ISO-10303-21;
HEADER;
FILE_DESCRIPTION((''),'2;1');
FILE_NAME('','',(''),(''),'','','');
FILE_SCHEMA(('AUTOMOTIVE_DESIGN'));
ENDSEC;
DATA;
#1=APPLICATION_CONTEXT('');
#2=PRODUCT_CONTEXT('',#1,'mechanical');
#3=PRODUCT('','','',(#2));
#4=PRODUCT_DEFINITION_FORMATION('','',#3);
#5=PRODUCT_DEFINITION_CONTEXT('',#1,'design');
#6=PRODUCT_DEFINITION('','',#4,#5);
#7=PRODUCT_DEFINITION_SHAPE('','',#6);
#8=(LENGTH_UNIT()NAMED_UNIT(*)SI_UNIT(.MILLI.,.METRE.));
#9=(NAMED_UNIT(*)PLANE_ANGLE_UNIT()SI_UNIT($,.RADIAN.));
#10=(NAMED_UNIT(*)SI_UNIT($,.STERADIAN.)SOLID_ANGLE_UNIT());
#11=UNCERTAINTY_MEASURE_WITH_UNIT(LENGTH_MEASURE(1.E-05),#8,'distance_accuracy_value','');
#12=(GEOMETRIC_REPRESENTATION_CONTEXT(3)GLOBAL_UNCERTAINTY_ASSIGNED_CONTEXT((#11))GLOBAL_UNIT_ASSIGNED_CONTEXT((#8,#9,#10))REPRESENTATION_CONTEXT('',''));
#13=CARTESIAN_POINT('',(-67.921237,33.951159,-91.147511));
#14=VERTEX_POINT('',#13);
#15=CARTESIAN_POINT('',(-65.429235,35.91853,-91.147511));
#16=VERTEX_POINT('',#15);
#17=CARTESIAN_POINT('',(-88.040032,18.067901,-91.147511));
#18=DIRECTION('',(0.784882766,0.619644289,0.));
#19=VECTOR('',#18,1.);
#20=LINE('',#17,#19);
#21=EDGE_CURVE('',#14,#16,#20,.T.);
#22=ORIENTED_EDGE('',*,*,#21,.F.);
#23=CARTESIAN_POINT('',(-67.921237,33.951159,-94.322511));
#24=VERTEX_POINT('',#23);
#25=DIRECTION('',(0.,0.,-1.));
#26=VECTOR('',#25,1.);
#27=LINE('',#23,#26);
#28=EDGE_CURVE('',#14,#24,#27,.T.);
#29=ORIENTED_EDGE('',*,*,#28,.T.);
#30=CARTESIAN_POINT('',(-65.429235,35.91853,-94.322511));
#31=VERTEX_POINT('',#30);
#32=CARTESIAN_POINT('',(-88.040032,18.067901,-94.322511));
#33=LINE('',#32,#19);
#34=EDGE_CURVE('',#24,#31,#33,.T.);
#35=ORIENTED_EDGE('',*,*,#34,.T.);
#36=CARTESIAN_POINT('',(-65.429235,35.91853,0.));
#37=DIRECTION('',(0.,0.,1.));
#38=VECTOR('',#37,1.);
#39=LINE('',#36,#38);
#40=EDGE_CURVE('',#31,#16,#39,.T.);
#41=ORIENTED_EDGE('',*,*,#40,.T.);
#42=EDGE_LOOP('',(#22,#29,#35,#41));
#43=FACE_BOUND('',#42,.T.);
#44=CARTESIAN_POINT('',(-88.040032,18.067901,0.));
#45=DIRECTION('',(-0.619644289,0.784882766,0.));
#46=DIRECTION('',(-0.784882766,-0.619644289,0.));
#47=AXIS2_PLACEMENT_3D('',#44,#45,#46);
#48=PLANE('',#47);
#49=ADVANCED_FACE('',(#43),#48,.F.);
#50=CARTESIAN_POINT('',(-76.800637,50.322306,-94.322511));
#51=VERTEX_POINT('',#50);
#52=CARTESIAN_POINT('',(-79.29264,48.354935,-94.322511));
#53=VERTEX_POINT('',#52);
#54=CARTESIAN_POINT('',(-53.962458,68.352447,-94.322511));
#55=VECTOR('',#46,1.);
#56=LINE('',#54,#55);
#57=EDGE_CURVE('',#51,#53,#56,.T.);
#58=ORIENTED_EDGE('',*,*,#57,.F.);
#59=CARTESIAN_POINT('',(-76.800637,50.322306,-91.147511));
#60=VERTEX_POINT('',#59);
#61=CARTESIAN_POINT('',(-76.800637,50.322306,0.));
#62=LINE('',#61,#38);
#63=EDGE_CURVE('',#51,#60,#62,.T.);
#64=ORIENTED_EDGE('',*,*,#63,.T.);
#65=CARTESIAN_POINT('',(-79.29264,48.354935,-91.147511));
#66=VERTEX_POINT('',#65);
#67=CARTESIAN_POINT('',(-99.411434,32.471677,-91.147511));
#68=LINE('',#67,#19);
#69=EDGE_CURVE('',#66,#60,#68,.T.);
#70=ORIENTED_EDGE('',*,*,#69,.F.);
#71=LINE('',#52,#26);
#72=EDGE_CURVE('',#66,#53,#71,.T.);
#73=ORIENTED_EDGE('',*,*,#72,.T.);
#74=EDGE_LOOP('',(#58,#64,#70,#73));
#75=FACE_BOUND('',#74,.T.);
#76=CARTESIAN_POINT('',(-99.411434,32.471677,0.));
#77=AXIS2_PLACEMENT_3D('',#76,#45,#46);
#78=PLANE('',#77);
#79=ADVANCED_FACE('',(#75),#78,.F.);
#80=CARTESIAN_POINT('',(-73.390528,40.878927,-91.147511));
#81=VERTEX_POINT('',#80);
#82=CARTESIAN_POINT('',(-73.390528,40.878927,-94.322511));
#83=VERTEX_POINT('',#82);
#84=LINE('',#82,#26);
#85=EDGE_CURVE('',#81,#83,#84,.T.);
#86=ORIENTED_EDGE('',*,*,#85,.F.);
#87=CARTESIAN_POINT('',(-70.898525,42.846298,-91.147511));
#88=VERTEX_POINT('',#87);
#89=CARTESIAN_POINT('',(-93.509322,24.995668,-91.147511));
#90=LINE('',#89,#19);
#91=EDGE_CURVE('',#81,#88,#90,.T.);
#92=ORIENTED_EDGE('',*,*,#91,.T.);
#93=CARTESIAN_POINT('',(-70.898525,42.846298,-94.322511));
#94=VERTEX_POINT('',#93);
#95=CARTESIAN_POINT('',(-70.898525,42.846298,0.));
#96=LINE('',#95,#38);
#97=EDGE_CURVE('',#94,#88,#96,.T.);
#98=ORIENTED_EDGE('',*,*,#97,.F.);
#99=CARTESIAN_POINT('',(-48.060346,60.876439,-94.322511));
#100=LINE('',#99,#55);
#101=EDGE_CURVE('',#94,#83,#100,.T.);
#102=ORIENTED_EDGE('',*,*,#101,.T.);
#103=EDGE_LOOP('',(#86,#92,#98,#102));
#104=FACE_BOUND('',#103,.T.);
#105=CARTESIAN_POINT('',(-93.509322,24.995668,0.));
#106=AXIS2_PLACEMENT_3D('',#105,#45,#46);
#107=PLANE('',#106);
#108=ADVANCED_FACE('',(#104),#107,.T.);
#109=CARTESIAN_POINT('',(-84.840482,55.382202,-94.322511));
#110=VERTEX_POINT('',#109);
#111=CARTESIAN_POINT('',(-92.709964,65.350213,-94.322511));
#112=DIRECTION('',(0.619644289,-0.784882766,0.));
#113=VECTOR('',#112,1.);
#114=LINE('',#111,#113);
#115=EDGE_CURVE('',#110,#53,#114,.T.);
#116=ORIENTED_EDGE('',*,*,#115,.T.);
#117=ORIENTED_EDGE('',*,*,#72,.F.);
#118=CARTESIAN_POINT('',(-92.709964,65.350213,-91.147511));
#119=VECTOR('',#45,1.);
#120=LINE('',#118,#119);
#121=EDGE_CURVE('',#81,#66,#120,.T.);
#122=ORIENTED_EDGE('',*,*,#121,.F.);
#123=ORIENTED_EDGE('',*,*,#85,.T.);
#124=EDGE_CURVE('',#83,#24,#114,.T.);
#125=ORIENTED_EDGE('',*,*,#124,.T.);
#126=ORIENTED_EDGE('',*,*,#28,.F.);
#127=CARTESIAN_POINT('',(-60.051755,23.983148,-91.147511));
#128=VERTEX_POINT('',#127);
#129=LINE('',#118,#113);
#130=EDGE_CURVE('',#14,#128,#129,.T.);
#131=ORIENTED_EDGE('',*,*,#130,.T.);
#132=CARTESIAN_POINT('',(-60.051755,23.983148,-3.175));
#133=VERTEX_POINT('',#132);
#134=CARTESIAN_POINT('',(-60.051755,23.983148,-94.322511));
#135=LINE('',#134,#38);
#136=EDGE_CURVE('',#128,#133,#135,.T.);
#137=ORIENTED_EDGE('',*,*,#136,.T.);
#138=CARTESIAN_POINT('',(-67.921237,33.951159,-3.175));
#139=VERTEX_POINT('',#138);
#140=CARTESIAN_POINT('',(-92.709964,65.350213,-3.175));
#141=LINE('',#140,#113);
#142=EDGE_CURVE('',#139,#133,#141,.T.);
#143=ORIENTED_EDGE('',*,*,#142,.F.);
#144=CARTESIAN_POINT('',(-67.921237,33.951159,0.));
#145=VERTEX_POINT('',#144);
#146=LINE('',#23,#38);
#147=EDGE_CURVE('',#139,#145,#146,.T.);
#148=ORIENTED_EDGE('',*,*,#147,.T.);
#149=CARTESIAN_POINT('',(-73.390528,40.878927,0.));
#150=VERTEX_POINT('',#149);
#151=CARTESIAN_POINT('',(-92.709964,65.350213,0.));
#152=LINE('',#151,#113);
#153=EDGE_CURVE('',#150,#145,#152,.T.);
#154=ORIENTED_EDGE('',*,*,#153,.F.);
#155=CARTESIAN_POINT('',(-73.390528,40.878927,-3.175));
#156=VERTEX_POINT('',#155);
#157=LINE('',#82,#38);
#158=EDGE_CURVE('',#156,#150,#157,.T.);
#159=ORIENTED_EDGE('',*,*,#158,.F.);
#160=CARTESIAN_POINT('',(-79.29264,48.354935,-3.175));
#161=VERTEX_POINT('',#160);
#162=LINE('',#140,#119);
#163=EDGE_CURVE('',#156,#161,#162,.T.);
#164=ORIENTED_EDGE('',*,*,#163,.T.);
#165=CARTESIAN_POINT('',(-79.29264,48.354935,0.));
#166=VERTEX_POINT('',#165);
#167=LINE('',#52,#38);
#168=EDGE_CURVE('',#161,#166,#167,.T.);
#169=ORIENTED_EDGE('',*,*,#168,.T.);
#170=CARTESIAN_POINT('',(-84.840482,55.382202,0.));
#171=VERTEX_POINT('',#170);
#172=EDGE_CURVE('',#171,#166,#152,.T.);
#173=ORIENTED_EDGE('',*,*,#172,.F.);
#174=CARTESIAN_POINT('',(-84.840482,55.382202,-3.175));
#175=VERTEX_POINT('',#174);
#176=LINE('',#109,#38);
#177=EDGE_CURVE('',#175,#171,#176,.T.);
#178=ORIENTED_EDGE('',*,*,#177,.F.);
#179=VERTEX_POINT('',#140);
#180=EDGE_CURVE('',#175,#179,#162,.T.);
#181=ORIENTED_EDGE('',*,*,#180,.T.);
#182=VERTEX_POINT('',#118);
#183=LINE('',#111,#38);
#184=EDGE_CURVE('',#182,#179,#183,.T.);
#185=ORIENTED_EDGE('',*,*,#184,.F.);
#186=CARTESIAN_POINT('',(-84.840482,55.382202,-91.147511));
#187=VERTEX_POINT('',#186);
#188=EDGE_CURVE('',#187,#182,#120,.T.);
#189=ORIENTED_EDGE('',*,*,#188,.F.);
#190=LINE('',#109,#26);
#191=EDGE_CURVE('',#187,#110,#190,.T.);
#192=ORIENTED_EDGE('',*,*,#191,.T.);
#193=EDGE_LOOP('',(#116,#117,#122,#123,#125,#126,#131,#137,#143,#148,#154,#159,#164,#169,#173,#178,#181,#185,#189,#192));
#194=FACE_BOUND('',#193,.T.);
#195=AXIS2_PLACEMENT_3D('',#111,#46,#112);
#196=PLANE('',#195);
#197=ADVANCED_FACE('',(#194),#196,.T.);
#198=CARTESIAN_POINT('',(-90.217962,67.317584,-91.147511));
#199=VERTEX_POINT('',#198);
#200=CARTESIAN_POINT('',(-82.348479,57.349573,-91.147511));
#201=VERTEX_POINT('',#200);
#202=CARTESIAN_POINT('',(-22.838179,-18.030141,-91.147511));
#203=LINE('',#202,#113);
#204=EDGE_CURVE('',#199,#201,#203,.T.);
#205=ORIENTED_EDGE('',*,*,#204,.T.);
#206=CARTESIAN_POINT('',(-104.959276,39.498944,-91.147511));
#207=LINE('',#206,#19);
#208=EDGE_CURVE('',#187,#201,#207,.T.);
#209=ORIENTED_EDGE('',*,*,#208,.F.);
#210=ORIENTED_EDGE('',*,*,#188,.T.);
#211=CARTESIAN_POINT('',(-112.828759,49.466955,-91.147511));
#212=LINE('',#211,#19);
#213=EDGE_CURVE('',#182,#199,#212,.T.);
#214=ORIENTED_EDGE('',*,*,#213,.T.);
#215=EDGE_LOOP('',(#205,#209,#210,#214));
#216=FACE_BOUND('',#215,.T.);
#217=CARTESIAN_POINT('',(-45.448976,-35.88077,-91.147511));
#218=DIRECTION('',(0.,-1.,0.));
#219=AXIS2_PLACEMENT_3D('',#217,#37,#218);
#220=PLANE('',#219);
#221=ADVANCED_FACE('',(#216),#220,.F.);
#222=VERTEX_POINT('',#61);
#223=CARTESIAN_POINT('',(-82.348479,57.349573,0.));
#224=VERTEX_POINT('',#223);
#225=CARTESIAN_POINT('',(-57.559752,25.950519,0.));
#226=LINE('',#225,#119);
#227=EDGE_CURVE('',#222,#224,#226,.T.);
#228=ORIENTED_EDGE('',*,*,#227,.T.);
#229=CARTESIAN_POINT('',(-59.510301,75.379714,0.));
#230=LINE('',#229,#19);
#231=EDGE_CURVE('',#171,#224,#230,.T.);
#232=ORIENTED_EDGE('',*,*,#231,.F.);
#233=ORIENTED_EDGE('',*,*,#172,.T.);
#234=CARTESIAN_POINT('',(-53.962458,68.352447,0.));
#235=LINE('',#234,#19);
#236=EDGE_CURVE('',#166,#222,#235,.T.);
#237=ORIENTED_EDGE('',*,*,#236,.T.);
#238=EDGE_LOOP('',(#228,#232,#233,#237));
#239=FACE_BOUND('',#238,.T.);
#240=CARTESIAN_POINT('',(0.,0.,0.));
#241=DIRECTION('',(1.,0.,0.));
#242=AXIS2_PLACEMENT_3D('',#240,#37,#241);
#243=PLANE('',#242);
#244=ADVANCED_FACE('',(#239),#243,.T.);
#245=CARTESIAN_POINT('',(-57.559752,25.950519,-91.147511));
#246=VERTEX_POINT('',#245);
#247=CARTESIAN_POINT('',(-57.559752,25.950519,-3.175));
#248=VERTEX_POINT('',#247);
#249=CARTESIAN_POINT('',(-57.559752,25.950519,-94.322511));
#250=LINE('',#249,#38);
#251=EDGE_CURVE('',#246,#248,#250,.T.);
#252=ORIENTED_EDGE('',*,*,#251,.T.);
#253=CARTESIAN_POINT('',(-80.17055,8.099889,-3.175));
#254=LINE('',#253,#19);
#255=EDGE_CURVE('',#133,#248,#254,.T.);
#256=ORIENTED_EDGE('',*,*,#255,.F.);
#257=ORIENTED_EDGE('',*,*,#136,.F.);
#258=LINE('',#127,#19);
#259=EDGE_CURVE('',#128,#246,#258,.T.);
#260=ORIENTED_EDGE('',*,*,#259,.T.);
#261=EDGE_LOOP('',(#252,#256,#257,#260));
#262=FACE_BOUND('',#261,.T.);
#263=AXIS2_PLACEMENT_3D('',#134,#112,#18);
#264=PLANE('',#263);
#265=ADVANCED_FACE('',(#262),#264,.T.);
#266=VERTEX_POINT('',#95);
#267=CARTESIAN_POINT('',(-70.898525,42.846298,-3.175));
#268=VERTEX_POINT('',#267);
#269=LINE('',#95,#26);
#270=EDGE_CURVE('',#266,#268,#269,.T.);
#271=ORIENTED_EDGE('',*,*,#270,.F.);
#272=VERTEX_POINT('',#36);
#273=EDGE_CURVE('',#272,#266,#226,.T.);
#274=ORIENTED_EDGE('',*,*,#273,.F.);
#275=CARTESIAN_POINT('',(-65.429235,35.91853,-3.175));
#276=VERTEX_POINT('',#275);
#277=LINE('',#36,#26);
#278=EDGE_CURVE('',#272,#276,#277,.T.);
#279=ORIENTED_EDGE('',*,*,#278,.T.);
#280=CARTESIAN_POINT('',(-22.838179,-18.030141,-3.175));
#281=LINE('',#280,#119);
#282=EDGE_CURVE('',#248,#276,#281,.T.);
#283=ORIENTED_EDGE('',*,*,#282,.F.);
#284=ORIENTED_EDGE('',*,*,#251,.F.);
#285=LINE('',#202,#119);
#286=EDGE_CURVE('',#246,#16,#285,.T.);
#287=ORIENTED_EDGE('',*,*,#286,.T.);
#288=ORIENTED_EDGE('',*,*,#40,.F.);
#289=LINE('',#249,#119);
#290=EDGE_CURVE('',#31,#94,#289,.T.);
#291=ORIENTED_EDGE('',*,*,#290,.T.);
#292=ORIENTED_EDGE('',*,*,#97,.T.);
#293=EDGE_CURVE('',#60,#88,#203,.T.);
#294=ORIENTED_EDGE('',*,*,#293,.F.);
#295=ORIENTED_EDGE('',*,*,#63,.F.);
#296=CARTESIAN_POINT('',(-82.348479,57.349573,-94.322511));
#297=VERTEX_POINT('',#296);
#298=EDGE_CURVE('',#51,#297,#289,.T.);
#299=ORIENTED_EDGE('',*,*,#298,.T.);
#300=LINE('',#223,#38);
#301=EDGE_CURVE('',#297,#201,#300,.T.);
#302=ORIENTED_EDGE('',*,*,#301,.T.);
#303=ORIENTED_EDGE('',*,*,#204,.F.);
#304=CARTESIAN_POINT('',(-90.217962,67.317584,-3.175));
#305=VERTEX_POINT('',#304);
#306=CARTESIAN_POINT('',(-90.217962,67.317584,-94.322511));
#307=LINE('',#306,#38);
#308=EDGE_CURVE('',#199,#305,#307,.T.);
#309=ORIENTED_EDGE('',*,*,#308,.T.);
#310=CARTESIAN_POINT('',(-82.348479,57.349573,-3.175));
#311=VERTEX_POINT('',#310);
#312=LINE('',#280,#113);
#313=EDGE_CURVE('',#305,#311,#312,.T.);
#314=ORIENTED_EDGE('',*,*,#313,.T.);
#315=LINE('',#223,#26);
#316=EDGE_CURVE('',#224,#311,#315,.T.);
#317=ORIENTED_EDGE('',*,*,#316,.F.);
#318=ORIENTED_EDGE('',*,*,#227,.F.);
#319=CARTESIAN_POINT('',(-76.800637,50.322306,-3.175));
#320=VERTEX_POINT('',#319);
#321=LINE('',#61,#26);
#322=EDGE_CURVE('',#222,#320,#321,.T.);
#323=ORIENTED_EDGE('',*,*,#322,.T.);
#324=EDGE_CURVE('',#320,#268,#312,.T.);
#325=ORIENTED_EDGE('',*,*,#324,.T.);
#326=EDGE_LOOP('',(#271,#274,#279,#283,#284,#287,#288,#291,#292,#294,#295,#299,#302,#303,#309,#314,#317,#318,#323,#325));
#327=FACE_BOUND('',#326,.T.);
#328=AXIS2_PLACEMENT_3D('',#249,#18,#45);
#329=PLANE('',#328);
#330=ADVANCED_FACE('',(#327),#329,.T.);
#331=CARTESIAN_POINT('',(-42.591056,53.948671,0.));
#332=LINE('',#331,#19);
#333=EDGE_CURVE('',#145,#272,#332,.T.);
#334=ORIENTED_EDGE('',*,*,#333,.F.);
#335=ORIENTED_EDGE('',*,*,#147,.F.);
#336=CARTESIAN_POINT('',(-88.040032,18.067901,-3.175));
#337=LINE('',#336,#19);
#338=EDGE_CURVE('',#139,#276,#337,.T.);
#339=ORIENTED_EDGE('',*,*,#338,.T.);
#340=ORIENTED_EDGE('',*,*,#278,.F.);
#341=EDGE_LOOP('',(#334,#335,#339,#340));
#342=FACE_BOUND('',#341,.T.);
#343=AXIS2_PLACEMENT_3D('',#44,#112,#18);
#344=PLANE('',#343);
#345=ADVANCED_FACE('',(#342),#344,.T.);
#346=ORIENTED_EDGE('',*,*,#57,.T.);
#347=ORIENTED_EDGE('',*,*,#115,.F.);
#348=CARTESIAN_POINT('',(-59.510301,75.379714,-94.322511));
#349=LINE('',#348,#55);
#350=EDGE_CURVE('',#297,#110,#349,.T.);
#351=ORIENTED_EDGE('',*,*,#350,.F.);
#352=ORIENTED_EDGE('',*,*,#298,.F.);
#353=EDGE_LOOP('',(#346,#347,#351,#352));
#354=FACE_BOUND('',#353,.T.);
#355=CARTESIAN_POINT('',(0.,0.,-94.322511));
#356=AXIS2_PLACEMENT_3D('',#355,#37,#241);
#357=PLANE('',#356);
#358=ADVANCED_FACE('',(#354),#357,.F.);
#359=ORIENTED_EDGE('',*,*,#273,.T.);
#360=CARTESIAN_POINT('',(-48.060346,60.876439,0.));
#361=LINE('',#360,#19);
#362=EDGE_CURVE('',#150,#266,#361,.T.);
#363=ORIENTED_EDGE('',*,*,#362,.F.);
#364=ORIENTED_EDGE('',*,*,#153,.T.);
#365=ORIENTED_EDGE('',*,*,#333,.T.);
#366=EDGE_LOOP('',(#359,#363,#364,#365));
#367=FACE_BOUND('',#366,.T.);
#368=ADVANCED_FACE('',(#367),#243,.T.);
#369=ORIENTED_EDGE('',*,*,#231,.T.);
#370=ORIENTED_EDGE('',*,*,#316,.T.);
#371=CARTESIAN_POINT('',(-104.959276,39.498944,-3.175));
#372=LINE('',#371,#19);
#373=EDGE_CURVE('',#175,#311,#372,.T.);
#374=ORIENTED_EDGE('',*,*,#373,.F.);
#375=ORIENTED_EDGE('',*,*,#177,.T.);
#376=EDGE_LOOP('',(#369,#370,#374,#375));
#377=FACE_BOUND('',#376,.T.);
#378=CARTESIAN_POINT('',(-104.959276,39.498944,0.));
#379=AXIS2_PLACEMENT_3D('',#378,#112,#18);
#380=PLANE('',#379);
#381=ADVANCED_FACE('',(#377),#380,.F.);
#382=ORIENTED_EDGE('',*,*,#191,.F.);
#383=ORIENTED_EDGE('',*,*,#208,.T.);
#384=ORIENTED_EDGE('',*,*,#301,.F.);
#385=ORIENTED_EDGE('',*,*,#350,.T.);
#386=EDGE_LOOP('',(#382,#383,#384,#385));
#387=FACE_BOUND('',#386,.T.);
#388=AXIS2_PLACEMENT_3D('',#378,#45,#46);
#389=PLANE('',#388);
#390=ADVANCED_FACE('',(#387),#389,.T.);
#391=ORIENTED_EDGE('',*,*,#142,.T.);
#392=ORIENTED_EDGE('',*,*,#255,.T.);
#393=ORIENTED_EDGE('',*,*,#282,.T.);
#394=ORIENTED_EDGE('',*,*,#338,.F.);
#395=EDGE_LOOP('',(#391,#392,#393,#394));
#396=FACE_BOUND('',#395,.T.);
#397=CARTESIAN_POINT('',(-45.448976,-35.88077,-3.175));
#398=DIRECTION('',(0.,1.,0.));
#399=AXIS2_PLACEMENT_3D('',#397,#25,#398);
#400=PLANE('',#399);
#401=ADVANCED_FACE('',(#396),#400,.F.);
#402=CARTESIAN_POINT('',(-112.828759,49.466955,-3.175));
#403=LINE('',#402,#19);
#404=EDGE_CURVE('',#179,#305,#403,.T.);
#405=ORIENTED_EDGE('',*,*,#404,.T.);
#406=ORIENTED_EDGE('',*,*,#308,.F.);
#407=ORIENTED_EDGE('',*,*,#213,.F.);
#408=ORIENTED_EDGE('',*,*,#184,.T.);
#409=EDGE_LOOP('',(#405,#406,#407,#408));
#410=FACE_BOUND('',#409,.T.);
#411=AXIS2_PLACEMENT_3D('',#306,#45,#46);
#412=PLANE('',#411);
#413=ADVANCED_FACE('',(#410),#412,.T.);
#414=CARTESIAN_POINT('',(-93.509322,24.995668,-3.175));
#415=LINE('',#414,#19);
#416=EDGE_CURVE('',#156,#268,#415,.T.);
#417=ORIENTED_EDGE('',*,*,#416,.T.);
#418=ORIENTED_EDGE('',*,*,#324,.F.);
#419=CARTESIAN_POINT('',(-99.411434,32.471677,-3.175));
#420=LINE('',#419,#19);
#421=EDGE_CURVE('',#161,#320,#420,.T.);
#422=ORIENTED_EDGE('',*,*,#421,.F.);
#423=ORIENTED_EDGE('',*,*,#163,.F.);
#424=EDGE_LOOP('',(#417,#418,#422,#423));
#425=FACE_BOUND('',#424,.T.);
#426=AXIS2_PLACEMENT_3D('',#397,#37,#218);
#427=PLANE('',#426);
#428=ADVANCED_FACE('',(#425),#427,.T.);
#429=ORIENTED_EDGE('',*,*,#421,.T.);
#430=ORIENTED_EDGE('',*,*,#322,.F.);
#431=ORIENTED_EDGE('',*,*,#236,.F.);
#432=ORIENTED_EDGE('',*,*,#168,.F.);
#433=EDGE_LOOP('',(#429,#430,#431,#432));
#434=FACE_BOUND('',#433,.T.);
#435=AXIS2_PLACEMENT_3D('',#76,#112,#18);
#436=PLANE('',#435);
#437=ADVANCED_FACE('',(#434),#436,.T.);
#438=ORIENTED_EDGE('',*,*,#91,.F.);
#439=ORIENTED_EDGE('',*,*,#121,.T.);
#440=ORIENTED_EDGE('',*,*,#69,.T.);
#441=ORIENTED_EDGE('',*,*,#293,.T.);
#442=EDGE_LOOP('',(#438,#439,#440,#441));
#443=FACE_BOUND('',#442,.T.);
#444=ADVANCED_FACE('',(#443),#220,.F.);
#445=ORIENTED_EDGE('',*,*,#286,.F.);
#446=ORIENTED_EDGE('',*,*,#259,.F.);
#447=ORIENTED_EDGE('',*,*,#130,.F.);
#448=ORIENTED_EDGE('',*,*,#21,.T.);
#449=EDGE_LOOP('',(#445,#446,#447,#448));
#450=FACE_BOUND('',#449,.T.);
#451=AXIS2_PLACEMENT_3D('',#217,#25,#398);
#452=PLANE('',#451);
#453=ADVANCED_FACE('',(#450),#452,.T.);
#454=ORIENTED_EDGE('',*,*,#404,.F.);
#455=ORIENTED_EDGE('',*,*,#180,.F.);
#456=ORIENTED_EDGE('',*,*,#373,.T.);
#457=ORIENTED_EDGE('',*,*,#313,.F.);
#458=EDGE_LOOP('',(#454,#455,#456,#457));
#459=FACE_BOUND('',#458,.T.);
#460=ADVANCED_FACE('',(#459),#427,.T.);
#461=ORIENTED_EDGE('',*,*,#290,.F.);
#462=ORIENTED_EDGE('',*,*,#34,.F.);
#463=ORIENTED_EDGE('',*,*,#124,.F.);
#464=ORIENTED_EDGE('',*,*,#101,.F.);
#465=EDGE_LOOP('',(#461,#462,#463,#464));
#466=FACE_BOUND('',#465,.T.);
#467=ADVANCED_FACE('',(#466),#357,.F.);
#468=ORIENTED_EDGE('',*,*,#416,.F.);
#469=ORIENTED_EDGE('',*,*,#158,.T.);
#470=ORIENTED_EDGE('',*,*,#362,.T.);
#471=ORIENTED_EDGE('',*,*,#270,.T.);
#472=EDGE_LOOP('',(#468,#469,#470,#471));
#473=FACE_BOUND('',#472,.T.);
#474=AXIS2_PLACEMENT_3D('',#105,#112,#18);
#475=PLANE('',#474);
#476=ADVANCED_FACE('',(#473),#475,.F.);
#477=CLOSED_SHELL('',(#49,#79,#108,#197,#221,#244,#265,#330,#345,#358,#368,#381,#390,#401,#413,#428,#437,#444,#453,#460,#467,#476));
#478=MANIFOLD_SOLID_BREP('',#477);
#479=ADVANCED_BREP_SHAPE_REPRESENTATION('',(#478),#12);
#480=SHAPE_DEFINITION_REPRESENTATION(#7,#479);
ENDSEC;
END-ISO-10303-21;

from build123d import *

# Parameters (mm, degrees)
BOSS_EXTRUDE1_DEPTH = 94.322511
SKETCH2_W           = 3.175
SKETCH2_H           = 12.7
SKETCH2_H_2         = 9.525
CUT_EXTRUDE1_DEPTH  = 146.131101822


with BuildPart() as part:
    # Sketch1 → Boss-Extrude1 (new body)
    with BuildSketch(Plane.XY):
        Polygon((-57.559752251, 25.95051887), (-90.217961646, 67.317584104), (-92.709964426, 65.350213488), (-60.051755031, 23.983148254), align=None)
    extrude(amount=-BOSS_EXTRUDE1_DEPTH)

    # Sketch2 → Cut-Extrude1 (cut, through all)
    with BuildSketch(Plane(origin=(-22.838178642, -18.030141034, 0), x_dir=(0, 0, -1), z_dir=(0.7848827655333936, 0.6196442885790622, 0))):
        with Locations((92.735011379, 102.389456242)):
            Rectangle(SKETCH2_W, SKETCH2_H)
        with Locations((92.735011379, 82.323686752)):
            Rectangle(SKETCH2_W, SKETCH2_H_2)
        with Locations((92.735011379, 62.384686752)):
            Rectangle(SKETCH2_W, SKETCH2_H)
        with Locations((1.5875, 102.389456242)):
            Rectangle(SKETCH2_W, SKETCH2_H)
        with Locations((1.5875, 82.323686752)):
            Rectangle(SKETCH2_W, SKETCH2_H_2)
        with Locations((1.5875, 62.384686752)):
            Rectangle(SKETCH2_W, SKETCH2_H)
    extrude(amount=-CUT_EXTRUDE1_DEPTH, mode=Mode.SUBTRACT)


solid = part.part
